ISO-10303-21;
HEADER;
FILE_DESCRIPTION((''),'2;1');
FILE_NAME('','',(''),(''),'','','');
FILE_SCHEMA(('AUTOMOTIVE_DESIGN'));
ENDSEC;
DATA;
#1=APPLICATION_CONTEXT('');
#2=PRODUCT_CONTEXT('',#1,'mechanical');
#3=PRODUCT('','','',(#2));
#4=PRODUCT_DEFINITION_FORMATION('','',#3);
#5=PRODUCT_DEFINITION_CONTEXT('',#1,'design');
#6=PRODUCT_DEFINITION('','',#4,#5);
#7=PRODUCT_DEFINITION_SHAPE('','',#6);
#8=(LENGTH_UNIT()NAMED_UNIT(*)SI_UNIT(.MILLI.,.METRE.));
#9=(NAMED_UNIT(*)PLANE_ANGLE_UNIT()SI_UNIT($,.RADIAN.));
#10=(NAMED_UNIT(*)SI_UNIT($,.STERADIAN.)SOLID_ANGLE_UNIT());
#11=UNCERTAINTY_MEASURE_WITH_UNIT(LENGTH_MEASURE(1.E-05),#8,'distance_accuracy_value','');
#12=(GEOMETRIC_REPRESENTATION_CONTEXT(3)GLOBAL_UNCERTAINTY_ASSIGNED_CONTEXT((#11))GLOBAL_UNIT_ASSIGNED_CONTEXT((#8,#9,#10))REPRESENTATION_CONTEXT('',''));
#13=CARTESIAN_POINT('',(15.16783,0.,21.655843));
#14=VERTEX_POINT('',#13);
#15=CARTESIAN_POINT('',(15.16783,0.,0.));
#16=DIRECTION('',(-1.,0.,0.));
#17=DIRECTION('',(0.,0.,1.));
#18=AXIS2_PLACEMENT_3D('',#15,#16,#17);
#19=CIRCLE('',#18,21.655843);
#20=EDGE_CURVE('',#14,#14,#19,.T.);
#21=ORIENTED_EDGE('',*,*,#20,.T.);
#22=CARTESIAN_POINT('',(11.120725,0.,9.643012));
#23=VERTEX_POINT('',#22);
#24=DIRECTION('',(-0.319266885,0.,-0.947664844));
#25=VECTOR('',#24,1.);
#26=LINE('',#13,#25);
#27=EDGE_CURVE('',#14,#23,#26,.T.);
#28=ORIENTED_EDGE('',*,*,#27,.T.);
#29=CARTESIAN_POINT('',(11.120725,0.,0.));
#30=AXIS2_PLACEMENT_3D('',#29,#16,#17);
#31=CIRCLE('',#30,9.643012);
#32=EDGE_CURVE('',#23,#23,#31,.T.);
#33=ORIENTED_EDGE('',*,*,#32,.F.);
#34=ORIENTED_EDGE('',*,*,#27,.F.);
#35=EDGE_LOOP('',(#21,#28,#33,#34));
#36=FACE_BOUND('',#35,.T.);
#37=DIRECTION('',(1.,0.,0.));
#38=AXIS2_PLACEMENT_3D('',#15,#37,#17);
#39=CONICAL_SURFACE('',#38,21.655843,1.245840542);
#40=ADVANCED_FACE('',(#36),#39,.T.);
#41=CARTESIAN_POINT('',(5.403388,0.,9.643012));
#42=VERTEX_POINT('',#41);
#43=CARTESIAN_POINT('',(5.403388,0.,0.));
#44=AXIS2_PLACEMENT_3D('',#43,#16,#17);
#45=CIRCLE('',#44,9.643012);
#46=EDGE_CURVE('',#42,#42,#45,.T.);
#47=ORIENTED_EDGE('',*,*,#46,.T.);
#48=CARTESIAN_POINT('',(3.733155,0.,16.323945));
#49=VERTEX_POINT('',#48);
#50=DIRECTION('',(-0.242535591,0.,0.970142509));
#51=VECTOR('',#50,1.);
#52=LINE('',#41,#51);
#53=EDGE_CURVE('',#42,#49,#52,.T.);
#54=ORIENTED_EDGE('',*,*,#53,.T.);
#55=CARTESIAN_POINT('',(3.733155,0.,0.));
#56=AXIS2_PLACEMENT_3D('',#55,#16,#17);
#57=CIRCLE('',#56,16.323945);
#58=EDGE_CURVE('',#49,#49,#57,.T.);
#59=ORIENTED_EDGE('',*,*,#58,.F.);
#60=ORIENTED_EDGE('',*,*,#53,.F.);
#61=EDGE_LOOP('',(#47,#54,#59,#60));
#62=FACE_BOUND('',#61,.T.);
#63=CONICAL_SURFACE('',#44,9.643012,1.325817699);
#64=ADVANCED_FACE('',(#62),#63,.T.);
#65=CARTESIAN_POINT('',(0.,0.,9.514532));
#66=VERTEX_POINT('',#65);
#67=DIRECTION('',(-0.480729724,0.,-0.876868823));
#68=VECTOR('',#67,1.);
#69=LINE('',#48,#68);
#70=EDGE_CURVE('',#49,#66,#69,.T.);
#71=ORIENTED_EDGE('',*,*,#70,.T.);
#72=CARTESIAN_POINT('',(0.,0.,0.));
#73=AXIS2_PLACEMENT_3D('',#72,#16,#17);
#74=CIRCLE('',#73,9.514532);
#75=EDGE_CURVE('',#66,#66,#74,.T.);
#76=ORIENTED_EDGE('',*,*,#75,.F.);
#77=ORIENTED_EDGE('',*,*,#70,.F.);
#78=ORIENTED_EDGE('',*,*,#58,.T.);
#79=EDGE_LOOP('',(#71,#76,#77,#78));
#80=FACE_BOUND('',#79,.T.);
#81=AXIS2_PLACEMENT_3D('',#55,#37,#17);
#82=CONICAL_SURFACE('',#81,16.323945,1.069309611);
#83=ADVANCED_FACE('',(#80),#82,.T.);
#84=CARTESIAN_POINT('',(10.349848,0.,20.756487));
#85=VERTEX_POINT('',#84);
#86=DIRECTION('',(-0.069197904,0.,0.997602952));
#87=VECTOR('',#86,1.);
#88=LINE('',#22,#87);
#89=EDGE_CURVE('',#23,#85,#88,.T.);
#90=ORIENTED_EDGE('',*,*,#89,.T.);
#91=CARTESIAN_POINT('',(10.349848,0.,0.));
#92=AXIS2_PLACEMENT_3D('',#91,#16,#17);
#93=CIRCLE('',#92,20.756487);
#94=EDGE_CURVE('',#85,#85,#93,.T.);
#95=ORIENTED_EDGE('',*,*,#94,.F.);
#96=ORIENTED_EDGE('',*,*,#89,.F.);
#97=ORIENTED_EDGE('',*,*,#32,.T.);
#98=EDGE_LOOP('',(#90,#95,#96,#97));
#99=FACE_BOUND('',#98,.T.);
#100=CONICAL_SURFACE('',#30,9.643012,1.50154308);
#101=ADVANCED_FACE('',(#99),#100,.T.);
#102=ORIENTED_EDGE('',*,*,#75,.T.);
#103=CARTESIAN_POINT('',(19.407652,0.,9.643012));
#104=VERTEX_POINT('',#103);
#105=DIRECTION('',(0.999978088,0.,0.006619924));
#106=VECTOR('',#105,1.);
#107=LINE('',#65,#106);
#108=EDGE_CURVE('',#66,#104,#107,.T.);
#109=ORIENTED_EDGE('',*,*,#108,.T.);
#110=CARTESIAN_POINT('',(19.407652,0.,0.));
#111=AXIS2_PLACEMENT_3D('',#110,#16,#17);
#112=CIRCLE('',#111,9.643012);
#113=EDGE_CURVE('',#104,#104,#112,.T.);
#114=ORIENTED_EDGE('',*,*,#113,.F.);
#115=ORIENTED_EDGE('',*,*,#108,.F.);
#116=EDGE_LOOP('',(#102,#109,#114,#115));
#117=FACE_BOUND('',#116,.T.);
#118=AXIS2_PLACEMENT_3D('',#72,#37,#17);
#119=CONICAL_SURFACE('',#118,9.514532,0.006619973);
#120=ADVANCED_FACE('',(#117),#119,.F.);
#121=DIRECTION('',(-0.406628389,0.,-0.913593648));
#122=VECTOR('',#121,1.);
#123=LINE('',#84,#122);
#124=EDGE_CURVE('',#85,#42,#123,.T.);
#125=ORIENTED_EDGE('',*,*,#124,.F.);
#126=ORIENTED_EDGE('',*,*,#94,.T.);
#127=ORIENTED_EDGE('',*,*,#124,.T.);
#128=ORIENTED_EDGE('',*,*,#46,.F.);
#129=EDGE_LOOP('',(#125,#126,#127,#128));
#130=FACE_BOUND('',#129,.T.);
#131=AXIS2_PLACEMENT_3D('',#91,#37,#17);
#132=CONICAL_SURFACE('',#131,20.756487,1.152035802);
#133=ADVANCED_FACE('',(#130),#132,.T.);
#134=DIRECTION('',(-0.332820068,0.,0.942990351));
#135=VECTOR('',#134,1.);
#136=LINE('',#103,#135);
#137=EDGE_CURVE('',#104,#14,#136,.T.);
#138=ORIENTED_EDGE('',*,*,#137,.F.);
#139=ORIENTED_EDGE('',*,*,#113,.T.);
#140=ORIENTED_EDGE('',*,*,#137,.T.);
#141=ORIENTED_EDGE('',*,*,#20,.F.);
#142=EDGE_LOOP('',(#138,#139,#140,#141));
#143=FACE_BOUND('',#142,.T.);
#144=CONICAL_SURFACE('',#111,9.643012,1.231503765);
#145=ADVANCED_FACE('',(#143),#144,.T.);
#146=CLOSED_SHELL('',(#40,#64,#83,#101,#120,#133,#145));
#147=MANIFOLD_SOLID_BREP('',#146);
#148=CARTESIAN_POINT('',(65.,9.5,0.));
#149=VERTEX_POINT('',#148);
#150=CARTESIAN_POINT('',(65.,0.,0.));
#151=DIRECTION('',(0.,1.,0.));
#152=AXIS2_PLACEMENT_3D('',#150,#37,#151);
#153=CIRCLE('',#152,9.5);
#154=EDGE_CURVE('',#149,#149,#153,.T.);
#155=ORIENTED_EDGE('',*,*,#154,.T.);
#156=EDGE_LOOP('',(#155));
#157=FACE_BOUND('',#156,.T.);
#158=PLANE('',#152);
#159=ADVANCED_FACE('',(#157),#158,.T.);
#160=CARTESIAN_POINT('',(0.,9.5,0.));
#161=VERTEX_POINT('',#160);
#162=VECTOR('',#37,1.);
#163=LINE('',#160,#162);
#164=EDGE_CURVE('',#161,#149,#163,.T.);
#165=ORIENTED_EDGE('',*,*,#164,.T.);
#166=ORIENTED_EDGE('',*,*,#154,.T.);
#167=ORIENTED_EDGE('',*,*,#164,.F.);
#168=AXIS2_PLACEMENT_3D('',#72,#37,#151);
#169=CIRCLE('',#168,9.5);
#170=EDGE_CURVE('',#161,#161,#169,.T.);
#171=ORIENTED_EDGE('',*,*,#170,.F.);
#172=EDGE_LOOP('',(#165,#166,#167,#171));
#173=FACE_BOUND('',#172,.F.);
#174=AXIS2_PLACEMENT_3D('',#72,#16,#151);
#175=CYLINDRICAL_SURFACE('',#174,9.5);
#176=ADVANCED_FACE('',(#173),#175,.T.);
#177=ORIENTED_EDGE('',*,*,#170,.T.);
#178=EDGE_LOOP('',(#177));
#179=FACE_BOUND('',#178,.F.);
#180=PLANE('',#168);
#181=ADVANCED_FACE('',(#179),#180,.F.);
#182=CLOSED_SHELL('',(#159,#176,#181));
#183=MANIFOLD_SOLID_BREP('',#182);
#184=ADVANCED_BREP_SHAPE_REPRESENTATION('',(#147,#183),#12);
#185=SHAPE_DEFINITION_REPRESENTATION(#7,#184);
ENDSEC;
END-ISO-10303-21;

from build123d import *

# Parameters (mm, degrees)
F0_R     = 9.5
F1_DEPTH = 65


with BuildPart() as f1:
    # F0 (on Right) → F1 (new body)
    with BuildSketch(Plane.YZ):
        Circle(F0_R)
    extrude(amount=F1_DEPTH)


with BuildPart() as f3:
    # F2 (on Front) → F3 (revolve)
    with BuildSketch(Plane.XZ):
        Polygon((3.733155, 16.323945), (0, 9.514532), (19.407652, 9.643012), (15.16783, 21.655843), (11.120725, 9.643012), (10.349848, 20.756487), (5.403388, 9.643012), align=None)
    revolve(axis=Axis((0, 0, 0), (-1, 0, 0)))


solid = Compound([f1.part, f3.part])
